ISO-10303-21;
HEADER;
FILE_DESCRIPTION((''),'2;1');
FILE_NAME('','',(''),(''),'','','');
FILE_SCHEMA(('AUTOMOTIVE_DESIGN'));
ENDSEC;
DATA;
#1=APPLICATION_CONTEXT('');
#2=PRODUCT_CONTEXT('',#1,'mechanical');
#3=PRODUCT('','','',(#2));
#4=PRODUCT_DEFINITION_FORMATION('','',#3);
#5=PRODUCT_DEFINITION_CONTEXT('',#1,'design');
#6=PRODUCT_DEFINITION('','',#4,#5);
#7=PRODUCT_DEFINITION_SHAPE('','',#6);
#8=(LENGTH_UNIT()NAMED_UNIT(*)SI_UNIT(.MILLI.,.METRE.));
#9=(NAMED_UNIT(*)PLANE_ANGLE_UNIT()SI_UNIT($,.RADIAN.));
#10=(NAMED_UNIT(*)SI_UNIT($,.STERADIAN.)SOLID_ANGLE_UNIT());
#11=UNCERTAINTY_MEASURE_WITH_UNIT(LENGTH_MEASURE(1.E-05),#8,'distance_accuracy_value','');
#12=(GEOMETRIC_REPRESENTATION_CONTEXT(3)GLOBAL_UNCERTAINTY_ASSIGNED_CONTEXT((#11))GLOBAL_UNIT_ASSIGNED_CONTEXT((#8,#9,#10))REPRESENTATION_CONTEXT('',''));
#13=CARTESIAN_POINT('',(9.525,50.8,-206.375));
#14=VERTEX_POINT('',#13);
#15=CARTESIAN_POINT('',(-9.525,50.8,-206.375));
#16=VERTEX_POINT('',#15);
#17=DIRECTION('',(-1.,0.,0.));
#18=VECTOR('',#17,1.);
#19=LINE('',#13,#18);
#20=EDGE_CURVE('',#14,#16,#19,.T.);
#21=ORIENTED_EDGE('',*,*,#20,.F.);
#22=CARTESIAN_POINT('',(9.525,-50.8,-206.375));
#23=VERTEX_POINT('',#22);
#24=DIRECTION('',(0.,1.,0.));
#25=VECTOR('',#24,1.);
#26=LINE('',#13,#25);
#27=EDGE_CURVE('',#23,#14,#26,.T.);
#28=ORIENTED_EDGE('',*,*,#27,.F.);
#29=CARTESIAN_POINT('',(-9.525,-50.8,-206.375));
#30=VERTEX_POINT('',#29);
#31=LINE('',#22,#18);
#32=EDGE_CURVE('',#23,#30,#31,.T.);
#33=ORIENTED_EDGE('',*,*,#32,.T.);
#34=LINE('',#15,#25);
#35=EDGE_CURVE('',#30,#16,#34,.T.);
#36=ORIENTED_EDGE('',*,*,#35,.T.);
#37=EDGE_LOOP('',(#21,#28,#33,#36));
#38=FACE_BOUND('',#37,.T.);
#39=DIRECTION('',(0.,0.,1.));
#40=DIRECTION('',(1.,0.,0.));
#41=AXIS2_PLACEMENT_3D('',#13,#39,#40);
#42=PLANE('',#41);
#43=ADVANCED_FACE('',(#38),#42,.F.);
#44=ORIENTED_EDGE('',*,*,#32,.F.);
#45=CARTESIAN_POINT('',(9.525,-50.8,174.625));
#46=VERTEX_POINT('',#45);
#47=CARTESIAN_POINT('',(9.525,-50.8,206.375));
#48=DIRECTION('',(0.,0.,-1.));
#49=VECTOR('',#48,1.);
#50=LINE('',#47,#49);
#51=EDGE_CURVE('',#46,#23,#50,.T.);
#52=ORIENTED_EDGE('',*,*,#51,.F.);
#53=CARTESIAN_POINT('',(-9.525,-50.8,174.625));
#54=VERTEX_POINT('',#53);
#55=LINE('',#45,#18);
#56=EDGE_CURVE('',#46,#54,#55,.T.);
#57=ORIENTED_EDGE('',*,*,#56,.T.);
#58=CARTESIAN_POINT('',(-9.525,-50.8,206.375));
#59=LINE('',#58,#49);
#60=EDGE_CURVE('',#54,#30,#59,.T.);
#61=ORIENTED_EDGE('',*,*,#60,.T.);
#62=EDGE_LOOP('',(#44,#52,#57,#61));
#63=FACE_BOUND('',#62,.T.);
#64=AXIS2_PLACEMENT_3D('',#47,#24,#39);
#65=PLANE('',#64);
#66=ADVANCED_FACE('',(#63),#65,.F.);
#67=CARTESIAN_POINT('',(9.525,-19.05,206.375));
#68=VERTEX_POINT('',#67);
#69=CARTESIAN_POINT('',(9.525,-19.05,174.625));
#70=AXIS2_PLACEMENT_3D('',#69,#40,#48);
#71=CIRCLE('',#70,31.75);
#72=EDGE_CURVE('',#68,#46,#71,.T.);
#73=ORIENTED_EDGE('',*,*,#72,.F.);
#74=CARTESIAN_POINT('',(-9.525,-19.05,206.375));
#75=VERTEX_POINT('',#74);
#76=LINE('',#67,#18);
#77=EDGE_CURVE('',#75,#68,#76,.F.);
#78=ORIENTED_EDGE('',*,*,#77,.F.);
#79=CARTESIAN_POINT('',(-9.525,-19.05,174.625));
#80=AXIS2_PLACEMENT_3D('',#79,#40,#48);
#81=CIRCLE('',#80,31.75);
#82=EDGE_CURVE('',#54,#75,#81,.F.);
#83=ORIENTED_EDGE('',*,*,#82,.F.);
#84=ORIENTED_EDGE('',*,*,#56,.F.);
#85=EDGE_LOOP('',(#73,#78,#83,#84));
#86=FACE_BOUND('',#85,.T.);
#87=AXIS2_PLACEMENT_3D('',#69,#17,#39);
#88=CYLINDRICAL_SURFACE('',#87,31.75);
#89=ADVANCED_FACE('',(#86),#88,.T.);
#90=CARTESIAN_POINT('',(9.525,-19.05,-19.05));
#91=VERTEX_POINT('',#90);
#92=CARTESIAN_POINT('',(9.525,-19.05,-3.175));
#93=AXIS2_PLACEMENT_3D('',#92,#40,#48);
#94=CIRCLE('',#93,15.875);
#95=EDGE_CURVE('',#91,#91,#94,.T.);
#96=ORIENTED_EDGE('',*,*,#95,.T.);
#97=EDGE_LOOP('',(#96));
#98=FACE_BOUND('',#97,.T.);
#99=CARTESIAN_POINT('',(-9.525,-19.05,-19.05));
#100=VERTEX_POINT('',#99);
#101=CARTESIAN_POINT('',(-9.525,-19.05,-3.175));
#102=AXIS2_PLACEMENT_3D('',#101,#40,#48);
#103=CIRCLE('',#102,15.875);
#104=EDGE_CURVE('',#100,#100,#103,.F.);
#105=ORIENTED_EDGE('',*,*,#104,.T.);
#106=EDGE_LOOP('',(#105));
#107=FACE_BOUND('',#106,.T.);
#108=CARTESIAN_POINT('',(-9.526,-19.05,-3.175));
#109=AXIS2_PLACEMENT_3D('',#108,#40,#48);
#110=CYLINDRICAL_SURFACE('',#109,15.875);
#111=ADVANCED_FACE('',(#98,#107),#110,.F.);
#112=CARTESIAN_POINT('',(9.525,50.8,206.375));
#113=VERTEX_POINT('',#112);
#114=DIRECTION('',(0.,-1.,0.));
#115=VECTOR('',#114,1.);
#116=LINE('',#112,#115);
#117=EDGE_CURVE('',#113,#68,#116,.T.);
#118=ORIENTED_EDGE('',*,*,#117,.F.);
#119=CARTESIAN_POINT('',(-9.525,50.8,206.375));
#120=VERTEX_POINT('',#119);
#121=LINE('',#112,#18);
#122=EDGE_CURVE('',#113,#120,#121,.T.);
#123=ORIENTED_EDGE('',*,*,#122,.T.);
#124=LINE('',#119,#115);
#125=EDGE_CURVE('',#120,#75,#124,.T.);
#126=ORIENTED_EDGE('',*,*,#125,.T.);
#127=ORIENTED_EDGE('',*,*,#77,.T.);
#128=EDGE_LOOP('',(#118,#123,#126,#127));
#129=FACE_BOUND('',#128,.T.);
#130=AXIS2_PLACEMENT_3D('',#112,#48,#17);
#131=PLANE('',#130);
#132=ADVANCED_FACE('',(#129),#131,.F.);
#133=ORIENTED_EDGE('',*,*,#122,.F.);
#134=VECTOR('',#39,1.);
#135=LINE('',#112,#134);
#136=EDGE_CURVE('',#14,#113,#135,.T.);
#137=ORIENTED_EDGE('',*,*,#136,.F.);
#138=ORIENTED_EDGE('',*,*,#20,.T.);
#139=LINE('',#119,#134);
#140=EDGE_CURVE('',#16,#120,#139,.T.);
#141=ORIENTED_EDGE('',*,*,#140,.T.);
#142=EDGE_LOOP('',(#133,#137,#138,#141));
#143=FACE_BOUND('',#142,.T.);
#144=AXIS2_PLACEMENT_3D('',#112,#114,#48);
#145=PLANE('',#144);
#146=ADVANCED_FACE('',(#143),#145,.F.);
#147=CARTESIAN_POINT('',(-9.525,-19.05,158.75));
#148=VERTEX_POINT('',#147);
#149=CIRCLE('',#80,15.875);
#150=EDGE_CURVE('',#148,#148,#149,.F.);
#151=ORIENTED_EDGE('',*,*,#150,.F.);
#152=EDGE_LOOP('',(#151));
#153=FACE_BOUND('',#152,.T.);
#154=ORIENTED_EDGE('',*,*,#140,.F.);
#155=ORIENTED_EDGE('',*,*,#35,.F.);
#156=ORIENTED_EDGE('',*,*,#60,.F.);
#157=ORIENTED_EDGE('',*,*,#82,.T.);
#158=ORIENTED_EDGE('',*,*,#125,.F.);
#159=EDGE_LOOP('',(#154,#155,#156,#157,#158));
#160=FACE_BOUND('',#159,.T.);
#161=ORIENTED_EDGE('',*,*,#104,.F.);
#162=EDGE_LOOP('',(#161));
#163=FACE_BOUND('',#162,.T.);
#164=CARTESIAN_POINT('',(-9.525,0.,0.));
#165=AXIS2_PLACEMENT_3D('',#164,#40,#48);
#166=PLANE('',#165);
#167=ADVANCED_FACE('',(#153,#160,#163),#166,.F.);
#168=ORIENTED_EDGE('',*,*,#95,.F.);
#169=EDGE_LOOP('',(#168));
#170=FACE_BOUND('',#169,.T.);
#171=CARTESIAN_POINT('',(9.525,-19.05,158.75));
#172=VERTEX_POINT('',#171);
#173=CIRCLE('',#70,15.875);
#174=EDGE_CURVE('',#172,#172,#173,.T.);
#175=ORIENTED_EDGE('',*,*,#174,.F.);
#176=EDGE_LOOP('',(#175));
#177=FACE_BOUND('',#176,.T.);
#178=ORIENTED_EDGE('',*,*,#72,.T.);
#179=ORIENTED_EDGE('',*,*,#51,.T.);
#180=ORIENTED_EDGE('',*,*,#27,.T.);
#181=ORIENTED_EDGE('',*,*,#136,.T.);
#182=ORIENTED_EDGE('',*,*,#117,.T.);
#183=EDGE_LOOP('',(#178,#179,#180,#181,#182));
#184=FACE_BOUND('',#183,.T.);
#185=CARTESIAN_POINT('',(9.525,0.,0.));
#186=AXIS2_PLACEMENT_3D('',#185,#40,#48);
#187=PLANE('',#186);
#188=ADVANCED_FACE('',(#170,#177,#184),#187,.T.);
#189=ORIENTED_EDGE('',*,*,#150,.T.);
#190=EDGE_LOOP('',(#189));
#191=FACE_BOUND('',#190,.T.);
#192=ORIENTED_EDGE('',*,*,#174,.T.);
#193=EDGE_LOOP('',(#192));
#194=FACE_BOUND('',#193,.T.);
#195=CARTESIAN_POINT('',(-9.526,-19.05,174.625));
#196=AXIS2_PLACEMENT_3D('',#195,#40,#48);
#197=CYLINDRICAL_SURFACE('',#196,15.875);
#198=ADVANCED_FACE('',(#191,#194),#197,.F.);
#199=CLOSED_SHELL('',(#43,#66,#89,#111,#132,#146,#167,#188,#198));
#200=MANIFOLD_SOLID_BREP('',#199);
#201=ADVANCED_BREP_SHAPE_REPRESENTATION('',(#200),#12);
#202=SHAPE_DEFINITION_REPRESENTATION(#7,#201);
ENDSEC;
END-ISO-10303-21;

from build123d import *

# Parameters (mm, degrees)
SKETCH1_W           = 412.75
SKETCH1_H           = 101.6
BOSS_EXTRUDE1_DEPTH = 9.525
CUT_EXTRUDE1_REACH  = 21.05
SKETCH2_R           = 15.875
FILLET1_R           = 31.75


with BuildPart() as part:
    # Sketch1 → Boss-Extrude1 (new body, symmetric)
    with BuildSketch(Plane(origin=(0, 0, 0), x_dir=(0, 0, -1), z_dir=(1, 0, 0))):
        Rectangle(SKETCH1_W, SKETCH1_H)
    extrude(amount=BOSS_EXTRUDE1_DEPTH, both=True)

    # Sketch2 → Cut-Extrude1 (cut, up to next)
    with BuildSketch(Plane(origin=(9.525, 0, 0), x_dir=(0, 0, -1), z_dir=(1, 0, 0)), mode=Mode.PRIVATE) as cut_extrude1_sk1:
        with Locations((-174.625, -19.05)):
            Circle(SKETCH2_R)
    cut_extrude1_tool1 = extrude(cut_extrude1_sk1.sketch, amount=-CUT_EXTRUDE1_REACH, mode=Mode.PRIVATE) & part.part
    add(cut_extrude1_tool1.solids().sort_by_distance((9.525, -19.05, 174.625))[0], mode=Mode.SUBTRACT)
    # Sketch2 → Cut-Extrude1 (cut, up to next)
    with BuildSketch(Plane(origin=(9.525, 0, 0), x_dir=(0, 0, -1), z_dir=(1, 0, 0)), mode=Mode.PRIVATE) as cut_extrude1_sk2:
        with Locations((3.175, -19.05)):
            Circle(SKETCH2_R)
    cut_extrude1_tool2 = extrude(cut_extrude1_sk2.sketch, amount=-CUT_EXTRUDE1_REACH, mode=Mode.PRIVATE) & part.part
    add(cut_extrude1_tool2.solids().sort_by_distance((9.525, -19.05, -3.175))[0], mode=Mode.SUBTRACT)

    # Fillet1
    fillet1_edges = [part.edges().sort_by_distance(p)[0] for p in [
        (0, -50.8, 206.375),
    ]]
    fillet(fillet1_edges, radius=FILLET1_R)


solid = part.part
